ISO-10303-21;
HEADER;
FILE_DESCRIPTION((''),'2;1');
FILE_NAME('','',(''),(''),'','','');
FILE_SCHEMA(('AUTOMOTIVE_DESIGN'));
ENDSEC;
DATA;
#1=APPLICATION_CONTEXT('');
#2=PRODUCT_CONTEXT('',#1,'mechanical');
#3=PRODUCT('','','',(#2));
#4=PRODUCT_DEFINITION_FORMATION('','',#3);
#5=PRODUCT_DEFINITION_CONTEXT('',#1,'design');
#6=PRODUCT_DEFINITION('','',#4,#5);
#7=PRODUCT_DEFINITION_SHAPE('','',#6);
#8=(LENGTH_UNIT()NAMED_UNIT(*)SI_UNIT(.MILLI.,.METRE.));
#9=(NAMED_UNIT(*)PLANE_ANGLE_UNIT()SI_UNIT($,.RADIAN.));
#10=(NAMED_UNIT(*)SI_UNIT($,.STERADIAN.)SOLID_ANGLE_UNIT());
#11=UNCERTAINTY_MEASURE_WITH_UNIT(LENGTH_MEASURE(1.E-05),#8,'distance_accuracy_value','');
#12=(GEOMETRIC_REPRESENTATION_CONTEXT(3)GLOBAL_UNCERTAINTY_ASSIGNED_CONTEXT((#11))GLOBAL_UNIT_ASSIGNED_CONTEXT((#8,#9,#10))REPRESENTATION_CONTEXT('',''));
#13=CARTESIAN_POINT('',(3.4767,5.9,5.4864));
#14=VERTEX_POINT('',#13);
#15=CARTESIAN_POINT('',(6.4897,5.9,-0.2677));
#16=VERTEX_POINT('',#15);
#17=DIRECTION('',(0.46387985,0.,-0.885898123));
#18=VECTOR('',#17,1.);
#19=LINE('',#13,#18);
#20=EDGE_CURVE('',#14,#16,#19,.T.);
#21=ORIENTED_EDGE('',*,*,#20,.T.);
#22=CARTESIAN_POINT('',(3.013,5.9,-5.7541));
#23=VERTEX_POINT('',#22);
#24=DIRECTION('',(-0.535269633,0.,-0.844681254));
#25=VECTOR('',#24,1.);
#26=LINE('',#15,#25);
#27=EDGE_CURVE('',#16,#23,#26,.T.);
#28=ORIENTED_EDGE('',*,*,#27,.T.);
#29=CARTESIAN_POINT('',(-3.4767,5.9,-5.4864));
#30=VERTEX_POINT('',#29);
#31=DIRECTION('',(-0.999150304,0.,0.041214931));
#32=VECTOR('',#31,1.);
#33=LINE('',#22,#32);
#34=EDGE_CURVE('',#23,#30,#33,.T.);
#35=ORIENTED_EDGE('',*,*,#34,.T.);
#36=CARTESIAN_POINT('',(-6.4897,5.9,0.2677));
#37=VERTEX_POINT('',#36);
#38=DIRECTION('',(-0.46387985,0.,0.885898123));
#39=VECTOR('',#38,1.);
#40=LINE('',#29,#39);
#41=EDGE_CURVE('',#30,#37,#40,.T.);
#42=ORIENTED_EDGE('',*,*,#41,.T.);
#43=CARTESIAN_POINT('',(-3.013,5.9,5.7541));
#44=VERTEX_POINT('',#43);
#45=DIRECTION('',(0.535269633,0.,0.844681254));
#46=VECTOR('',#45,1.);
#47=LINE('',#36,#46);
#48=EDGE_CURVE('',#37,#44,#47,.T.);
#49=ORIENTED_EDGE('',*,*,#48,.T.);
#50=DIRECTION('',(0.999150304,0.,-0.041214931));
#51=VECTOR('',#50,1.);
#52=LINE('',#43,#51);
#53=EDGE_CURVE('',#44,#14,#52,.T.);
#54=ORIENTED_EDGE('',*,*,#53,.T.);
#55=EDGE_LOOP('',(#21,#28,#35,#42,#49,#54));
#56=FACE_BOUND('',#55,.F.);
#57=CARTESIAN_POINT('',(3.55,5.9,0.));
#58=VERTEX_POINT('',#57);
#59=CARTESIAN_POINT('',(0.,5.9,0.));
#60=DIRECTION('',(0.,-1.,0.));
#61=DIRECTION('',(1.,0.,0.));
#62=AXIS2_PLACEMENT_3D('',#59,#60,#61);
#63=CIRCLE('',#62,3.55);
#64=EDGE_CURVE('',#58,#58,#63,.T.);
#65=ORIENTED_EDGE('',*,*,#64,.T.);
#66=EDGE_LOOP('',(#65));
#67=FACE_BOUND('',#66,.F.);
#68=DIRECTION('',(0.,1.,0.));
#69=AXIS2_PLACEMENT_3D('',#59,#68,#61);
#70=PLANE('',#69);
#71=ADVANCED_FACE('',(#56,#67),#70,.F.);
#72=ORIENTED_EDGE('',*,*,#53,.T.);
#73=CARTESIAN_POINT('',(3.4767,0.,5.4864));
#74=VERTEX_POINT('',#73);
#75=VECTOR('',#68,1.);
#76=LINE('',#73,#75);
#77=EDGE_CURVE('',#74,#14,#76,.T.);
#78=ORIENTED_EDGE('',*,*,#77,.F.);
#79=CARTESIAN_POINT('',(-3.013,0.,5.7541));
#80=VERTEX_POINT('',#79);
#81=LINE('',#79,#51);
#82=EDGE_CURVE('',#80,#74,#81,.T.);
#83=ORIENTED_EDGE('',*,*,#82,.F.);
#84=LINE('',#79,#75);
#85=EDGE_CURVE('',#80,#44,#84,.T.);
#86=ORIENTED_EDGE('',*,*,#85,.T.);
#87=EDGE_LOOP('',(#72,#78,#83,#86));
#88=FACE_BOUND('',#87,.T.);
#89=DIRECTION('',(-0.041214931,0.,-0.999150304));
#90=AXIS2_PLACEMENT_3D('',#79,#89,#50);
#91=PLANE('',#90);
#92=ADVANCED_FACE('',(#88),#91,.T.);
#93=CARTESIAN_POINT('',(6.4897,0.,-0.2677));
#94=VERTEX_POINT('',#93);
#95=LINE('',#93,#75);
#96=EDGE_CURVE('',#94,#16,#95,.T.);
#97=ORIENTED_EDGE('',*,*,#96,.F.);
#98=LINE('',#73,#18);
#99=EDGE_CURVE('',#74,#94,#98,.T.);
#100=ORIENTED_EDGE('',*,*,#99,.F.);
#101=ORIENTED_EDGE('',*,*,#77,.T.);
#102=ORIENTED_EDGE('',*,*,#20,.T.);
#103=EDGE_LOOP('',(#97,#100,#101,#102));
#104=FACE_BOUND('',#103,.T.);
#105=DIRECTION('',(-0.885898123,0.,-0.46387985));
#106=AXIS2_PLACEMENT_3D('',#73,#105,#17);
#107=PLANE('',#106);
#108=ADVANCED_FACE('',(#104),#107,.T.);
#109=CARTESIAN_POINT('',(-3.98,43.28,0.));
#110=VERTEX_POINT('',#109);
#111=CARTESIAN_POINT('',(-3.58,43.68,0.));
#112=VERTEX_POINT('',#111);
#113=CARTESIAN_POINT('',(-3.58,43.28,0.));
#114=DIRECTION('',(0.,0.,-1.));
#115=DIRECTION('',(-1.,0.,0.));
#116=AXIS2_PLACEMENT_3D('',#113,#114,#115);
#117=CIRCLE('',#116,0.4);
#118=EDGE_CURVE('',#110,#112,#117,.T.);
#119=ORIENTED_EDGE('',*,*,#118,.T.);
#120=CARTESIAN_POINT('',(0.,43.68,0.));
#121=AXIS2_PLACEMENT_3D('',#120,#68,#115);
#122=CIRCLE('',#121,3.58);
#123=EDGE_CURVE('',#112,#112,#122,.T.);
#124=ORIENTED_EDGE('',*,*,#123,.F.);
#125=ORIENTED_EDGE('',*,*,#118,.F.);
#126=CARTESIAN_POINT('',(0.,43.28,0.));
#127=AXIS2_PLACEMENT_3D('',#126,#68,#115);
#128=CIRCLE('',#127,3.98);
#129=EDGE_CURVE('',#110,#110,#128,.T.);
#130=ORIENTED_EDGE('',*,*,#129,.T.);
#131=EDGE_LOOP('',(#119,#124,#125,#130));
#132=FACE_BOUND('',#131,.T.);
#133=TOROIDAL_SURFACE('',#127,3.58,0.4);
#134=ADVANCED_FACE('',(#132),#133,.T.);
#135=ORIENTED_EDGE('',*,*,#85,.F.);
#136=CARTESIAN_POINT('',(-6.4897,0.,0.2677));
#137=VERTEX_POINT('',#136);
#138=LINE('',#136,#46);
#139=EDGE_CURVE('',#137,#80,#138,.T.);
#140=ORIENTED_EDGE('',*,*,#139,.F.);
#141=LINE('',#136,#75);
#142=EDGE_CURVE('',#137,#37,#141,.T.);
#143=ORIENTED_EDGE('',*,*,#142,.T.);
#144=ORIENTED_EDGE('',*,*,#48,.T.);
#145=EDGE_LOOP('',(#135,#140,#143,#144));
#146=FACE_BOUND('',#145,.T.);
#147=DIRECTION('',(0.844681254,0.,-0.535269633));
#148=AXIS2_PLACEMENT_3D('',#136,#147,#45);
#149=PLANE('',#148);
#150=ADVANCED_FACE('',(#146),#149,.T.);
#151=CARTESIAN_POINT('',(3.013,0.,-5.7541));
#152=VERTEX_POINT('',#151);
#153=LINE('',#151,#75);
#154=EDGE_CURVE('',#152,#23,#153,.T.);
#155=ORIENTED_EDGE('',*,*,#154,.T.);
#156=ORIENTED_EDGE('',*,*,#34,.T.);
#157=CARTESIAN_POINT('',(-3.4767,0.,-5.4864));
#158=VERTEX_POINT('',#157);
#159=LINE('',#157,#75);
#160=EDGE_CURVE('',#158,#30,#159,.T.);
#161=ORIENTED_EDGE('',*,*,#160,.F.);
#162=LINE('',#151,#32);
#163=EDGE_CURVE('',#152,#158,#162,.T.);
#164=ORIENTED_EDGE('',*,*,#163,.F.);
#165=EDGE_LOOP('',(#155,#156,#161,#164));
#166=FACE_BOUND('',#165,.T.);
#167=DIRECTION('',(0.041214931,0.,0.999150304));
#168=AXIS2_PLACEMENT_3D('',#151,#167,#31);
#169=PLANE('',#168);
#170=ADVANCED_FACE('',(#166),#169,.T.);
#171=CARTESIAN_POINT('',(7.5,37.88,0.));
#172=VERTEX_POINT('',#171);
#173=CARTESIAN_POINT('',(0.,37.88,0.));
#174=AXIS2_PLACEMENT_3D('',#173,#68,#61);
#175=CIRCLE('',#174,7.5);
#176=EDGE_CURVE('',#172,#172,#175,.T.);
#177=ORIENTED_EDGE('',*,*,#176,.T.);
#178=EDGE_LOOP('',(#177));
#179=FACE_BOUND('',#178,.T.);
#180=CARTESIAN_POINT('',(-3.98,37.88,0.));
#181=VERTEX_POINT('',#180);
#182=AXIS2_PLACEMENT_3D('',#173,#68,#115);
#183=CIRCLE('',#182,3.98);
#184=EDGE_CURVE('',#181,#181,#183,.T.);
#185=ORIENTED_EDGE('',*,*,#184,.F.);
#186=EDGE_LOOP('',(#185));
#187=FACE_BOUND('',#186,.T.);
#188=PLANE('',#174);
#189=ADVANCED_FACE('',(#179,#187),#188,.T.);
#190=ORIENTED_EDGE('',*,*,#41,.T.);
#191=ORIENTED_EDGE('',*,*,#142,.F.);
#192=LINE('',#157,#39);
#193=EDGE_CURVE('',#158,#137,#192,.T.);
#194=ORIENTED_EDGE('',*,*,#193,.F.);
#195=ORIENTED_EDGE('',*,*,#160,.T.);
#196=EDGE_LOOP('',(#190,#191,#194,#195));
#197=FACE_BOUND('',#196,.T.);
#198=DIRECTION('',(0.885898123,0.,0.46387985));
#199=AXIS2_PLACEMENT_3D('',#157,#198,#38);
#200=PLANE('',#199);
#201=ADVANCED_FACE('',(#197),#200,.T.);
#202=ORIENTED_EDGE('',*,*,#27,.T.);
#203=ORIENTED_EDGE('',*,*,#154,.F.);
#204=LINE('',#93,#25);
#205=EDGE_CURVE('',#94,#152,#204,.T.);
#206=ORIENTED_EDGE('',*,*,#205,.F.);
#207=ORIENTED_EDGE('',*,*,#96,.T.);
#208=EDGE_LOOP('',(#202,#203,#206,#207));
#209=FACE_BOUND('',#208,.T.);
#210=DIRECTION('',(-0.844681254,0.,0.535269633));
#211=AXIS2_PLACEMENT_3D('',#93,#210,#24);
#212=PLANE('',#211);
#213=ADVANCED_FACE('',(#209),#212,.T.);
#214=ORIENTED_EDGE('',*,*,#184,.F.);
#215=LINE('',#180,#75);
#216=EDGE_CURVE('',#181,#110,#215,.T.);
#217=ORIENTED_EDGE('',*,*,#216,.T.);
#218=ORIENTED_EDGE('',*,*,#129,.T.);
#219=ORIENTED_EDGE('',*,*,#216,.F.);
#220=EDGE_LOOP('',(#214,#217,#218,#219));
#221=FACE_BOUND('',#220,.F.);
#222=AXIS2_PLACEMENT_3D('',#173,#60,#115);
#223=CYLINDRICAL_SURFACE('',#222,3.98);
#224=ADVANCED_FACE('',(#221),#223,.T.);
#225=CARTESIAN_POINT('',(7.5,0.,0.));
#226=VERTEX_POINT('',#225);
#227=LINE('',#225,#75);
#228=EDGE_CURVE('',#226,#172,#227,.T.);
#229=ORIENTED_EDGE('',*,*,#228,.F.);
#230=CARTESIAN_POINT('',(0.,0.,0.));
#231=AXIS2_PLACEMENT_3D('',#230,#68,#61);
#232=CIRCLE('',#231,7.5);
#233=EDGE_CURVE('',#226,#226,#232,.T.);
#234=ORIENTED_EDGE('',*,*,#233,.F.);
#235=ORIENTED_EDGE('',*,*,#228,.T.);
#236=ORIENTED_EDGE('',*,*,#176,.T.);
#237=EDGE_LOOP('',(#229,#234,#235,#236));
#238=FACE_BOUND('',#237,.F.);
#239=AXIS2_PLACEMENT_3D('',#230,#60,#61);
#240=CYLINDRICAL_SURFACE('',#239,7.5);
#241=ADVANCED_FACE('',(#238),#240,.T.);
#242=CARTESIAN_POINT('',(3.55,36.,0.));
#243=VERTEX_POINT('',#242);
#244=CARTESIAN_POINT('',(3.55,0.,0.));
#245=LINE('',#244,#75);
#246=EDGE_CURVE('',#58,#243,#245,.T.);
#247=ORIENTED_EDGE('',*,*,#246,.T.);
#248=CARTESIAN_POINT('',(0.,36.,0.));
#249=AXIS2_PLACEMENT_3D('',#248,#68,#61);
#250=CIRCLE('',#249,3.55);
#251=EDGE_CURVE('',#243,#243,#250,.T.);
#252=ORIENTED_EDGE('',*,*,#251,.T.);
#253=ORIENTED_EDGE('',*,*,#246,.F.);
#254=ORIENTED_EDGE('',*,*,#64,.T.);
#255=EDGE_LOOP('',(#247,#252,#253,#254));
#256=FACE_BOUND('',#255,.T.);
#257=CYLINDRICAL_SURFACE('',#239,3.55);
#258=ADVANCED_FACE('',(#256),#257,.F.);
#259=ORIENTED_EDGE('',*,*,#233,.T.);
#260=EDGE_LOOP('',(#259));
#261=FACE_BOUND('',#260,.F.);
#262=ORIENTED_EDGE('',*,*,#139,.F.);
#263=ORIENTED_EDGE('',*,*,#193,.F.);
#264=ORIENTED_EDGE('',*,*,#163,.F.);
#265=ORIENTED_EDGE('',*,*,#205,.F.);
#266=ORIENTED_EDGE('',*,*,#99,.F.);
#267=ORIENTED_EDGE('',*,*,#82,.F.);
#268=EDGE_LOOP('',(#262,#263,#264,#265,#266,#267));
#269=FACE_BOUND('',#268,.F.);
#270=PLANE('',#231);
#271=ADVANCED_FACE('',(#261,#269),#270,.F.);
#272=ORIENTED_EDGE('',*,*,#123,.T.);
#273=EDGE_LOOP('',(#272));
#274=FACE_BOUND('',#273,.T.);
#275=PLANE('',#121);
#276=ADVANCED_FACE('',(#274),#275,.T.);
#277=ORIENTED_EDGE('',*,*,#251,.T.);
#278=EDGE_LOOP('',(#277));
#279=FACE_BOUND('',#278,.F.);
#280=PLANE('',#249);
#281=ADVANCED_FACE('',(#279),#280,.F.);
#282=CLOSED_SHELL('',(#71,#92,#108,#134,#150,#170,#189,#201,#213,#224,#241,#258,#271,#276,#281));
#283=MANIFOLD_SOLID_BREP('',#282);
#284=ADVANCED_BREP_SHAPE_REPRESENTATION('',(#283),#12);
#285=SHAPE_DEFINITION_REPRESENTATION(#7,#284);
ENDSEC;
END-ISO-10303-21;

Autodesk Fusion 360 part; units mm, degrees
sketch "Sketch1" plane through (0, 0, 0) normal (0, 1, 0) x (1, 0, 0)
  circle A0 centre (0, 0) radius 7.5
  line L0 (6.4897, 0.2677) -> (3.013, 5.7541)
  line L1 (3.013, 5.7541) -> (-3.4767, 5.4864)
  line L2 (-3.4767, 5.4864) -> (-6.4897, -0.2677)
  line L3 (-6.4897, -0.2677) -> (-3.013, -5.7541)
  line L4 (-3.013, -5.7541) -> (3.4767, -5.4864)
  line L5 (3.4767, -5.4864) -> (6.4897, 0.2677)
  circle A1 centre (0, 0) radius 3.55
  dimension "d1" = 15
  dimension "d2" = 5.625
  dimension "d7" = 7.1
extrude "Extrude1" add sketch "Sketch1" along normal blind 37.88 contours A0 | L0 L1 L2 L3 L4 L5 | A1
extrude "Extrude2" cut sketch "Sketch1" along normal blind 5.9 contours L0 L1 L2 L3 L4 L5 | A1
extrude "Extrude3" cut sketch "Sketch1" along normal blind 36 contours A1
sketch "Sketch2" plane through (0, 37.88, 0) normal (0, 1, 0) x (-1, 0, 0)
  circle A0 centre (0, 0) radius 7.5
  circle A1 centre (0, 0) radius 3.98
  dimension "d10" = 7.96
extrude "Extrude4" add sketch "Sketch2" along normal blind 5.8 contours A1
fillet "Fillet1" radius 0.4 1 edges at (3.7107, 43.68, -1.4392)
